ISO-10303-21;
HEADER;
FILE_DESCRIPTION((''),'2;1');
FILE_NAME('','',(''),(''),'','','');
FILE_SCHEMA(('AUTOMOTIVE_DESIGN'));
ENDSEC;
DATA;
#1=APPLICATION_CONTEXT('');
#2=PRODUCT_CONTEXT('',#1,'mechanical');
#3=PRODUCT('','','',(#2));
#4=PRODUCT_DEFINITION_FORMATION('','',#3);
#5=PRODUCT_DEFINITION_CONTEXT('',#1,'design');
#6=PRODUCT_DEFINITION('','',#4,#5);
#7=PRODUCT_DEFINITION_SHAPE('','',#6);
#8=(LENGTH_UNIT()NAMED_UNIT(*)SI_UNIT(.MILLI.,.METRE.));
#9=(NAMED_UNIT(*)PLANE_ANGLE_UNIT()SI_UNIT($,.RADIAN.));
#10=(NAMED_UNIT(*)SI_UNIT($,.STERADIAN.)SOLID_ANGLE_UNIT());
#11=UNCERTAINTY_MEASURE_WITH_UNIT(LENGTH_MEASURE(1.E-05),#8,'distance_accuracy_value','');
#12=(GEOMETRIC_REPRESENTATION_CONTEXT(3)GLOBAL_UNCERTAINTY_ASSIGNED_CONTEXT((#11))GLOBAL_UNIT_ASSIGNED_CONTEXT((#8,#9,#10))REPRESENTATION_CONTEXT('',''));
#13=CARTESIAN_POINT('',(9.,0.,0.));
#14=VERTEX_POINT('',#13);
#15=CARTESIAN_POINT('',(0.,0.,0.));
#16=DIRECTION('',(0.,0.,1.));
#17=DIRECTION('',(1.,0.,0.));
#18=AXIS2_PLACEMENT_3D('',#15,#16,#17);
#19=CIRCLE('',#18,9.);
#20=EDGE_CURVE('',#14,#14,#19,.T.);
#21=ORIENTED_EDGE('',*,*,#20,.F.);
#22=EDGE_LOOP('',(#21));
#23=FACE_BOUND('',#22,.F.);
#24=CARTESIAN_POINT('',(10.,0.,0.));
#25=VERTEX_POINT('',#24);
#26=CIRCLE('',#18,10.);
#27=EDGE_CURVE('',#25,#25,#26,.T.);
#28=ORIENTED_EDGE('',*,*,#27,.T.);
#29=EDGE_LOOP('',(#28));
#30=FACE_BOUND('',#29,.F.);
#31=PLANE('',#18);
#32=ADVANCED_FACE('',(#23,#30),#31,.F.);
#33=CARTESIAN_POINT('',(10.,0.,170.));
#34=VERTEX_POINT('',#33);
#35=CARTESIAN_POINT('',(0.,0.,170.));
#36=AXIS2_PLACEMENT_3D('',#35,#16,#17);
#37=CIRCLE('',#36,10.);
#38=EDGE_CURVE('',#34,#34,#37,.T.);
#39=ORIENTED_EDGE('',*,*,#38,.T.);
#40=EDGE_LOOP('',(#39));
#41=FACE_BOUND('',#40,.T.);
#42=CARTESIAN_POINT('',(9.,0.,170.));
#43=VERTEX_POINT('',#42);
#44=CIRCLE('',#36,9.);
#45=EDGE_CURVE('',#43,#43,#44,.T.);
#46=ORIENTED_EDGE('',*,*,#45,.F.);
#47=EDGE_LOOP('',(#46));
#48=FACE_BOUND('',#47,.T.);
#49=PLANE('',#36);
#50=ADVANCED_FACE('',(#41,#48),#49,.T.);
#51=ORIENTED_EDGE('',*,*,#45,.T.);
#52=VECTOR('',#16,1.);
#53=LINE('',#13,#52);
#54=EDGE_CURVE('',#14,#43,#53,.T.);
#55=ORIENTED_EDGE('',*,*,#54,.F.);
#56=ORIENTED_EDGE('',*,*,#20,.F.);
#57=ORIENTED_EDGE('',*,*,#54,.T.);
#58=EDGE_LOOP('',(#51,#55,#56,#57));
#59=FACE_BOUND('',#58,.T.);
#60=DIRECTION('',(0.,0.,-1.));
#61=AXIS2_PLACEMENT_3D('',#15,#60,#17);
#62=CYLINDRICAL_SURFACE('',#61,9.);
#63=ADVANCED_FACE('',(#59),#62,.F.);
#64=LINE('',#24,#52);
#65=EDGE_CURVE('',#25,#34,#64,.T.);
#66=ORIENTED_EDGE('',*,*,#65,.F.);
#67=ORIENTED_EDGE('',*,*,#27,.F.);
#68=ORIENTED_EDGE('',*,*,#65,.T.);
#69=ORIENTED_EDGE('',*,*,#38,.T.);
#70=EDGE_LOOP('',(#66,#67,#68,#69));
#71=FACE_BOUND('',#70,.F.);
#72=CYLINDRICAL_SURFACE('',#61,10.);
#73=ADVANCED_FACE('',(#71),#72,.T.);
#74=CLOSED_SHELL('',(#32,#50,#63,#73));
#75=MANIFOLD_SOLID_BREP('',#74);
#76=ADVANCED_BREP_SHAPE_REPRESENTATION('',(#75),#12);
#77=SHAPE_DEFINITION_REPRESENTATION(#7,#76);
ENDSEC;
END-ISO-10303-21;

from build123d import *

# Parameters (mm, degrees)
SKETCH3_R           = 10
SKETCH3_R_2         = 9
EXTRUDE_THIN2_DEPTH = 170


with BuildPart() as part:
    # Sketch3 → Extrude-Thin2 (new body)
    with BuildSketch(Plane.XY):
        Circle(SKETCH3_R)
        Circle(SKETCH3_R_2, mode=Mode.SUBTRACT)
    extrude(amount=EXTRUDE_THIN2_DEPTH)


solid = part.part
